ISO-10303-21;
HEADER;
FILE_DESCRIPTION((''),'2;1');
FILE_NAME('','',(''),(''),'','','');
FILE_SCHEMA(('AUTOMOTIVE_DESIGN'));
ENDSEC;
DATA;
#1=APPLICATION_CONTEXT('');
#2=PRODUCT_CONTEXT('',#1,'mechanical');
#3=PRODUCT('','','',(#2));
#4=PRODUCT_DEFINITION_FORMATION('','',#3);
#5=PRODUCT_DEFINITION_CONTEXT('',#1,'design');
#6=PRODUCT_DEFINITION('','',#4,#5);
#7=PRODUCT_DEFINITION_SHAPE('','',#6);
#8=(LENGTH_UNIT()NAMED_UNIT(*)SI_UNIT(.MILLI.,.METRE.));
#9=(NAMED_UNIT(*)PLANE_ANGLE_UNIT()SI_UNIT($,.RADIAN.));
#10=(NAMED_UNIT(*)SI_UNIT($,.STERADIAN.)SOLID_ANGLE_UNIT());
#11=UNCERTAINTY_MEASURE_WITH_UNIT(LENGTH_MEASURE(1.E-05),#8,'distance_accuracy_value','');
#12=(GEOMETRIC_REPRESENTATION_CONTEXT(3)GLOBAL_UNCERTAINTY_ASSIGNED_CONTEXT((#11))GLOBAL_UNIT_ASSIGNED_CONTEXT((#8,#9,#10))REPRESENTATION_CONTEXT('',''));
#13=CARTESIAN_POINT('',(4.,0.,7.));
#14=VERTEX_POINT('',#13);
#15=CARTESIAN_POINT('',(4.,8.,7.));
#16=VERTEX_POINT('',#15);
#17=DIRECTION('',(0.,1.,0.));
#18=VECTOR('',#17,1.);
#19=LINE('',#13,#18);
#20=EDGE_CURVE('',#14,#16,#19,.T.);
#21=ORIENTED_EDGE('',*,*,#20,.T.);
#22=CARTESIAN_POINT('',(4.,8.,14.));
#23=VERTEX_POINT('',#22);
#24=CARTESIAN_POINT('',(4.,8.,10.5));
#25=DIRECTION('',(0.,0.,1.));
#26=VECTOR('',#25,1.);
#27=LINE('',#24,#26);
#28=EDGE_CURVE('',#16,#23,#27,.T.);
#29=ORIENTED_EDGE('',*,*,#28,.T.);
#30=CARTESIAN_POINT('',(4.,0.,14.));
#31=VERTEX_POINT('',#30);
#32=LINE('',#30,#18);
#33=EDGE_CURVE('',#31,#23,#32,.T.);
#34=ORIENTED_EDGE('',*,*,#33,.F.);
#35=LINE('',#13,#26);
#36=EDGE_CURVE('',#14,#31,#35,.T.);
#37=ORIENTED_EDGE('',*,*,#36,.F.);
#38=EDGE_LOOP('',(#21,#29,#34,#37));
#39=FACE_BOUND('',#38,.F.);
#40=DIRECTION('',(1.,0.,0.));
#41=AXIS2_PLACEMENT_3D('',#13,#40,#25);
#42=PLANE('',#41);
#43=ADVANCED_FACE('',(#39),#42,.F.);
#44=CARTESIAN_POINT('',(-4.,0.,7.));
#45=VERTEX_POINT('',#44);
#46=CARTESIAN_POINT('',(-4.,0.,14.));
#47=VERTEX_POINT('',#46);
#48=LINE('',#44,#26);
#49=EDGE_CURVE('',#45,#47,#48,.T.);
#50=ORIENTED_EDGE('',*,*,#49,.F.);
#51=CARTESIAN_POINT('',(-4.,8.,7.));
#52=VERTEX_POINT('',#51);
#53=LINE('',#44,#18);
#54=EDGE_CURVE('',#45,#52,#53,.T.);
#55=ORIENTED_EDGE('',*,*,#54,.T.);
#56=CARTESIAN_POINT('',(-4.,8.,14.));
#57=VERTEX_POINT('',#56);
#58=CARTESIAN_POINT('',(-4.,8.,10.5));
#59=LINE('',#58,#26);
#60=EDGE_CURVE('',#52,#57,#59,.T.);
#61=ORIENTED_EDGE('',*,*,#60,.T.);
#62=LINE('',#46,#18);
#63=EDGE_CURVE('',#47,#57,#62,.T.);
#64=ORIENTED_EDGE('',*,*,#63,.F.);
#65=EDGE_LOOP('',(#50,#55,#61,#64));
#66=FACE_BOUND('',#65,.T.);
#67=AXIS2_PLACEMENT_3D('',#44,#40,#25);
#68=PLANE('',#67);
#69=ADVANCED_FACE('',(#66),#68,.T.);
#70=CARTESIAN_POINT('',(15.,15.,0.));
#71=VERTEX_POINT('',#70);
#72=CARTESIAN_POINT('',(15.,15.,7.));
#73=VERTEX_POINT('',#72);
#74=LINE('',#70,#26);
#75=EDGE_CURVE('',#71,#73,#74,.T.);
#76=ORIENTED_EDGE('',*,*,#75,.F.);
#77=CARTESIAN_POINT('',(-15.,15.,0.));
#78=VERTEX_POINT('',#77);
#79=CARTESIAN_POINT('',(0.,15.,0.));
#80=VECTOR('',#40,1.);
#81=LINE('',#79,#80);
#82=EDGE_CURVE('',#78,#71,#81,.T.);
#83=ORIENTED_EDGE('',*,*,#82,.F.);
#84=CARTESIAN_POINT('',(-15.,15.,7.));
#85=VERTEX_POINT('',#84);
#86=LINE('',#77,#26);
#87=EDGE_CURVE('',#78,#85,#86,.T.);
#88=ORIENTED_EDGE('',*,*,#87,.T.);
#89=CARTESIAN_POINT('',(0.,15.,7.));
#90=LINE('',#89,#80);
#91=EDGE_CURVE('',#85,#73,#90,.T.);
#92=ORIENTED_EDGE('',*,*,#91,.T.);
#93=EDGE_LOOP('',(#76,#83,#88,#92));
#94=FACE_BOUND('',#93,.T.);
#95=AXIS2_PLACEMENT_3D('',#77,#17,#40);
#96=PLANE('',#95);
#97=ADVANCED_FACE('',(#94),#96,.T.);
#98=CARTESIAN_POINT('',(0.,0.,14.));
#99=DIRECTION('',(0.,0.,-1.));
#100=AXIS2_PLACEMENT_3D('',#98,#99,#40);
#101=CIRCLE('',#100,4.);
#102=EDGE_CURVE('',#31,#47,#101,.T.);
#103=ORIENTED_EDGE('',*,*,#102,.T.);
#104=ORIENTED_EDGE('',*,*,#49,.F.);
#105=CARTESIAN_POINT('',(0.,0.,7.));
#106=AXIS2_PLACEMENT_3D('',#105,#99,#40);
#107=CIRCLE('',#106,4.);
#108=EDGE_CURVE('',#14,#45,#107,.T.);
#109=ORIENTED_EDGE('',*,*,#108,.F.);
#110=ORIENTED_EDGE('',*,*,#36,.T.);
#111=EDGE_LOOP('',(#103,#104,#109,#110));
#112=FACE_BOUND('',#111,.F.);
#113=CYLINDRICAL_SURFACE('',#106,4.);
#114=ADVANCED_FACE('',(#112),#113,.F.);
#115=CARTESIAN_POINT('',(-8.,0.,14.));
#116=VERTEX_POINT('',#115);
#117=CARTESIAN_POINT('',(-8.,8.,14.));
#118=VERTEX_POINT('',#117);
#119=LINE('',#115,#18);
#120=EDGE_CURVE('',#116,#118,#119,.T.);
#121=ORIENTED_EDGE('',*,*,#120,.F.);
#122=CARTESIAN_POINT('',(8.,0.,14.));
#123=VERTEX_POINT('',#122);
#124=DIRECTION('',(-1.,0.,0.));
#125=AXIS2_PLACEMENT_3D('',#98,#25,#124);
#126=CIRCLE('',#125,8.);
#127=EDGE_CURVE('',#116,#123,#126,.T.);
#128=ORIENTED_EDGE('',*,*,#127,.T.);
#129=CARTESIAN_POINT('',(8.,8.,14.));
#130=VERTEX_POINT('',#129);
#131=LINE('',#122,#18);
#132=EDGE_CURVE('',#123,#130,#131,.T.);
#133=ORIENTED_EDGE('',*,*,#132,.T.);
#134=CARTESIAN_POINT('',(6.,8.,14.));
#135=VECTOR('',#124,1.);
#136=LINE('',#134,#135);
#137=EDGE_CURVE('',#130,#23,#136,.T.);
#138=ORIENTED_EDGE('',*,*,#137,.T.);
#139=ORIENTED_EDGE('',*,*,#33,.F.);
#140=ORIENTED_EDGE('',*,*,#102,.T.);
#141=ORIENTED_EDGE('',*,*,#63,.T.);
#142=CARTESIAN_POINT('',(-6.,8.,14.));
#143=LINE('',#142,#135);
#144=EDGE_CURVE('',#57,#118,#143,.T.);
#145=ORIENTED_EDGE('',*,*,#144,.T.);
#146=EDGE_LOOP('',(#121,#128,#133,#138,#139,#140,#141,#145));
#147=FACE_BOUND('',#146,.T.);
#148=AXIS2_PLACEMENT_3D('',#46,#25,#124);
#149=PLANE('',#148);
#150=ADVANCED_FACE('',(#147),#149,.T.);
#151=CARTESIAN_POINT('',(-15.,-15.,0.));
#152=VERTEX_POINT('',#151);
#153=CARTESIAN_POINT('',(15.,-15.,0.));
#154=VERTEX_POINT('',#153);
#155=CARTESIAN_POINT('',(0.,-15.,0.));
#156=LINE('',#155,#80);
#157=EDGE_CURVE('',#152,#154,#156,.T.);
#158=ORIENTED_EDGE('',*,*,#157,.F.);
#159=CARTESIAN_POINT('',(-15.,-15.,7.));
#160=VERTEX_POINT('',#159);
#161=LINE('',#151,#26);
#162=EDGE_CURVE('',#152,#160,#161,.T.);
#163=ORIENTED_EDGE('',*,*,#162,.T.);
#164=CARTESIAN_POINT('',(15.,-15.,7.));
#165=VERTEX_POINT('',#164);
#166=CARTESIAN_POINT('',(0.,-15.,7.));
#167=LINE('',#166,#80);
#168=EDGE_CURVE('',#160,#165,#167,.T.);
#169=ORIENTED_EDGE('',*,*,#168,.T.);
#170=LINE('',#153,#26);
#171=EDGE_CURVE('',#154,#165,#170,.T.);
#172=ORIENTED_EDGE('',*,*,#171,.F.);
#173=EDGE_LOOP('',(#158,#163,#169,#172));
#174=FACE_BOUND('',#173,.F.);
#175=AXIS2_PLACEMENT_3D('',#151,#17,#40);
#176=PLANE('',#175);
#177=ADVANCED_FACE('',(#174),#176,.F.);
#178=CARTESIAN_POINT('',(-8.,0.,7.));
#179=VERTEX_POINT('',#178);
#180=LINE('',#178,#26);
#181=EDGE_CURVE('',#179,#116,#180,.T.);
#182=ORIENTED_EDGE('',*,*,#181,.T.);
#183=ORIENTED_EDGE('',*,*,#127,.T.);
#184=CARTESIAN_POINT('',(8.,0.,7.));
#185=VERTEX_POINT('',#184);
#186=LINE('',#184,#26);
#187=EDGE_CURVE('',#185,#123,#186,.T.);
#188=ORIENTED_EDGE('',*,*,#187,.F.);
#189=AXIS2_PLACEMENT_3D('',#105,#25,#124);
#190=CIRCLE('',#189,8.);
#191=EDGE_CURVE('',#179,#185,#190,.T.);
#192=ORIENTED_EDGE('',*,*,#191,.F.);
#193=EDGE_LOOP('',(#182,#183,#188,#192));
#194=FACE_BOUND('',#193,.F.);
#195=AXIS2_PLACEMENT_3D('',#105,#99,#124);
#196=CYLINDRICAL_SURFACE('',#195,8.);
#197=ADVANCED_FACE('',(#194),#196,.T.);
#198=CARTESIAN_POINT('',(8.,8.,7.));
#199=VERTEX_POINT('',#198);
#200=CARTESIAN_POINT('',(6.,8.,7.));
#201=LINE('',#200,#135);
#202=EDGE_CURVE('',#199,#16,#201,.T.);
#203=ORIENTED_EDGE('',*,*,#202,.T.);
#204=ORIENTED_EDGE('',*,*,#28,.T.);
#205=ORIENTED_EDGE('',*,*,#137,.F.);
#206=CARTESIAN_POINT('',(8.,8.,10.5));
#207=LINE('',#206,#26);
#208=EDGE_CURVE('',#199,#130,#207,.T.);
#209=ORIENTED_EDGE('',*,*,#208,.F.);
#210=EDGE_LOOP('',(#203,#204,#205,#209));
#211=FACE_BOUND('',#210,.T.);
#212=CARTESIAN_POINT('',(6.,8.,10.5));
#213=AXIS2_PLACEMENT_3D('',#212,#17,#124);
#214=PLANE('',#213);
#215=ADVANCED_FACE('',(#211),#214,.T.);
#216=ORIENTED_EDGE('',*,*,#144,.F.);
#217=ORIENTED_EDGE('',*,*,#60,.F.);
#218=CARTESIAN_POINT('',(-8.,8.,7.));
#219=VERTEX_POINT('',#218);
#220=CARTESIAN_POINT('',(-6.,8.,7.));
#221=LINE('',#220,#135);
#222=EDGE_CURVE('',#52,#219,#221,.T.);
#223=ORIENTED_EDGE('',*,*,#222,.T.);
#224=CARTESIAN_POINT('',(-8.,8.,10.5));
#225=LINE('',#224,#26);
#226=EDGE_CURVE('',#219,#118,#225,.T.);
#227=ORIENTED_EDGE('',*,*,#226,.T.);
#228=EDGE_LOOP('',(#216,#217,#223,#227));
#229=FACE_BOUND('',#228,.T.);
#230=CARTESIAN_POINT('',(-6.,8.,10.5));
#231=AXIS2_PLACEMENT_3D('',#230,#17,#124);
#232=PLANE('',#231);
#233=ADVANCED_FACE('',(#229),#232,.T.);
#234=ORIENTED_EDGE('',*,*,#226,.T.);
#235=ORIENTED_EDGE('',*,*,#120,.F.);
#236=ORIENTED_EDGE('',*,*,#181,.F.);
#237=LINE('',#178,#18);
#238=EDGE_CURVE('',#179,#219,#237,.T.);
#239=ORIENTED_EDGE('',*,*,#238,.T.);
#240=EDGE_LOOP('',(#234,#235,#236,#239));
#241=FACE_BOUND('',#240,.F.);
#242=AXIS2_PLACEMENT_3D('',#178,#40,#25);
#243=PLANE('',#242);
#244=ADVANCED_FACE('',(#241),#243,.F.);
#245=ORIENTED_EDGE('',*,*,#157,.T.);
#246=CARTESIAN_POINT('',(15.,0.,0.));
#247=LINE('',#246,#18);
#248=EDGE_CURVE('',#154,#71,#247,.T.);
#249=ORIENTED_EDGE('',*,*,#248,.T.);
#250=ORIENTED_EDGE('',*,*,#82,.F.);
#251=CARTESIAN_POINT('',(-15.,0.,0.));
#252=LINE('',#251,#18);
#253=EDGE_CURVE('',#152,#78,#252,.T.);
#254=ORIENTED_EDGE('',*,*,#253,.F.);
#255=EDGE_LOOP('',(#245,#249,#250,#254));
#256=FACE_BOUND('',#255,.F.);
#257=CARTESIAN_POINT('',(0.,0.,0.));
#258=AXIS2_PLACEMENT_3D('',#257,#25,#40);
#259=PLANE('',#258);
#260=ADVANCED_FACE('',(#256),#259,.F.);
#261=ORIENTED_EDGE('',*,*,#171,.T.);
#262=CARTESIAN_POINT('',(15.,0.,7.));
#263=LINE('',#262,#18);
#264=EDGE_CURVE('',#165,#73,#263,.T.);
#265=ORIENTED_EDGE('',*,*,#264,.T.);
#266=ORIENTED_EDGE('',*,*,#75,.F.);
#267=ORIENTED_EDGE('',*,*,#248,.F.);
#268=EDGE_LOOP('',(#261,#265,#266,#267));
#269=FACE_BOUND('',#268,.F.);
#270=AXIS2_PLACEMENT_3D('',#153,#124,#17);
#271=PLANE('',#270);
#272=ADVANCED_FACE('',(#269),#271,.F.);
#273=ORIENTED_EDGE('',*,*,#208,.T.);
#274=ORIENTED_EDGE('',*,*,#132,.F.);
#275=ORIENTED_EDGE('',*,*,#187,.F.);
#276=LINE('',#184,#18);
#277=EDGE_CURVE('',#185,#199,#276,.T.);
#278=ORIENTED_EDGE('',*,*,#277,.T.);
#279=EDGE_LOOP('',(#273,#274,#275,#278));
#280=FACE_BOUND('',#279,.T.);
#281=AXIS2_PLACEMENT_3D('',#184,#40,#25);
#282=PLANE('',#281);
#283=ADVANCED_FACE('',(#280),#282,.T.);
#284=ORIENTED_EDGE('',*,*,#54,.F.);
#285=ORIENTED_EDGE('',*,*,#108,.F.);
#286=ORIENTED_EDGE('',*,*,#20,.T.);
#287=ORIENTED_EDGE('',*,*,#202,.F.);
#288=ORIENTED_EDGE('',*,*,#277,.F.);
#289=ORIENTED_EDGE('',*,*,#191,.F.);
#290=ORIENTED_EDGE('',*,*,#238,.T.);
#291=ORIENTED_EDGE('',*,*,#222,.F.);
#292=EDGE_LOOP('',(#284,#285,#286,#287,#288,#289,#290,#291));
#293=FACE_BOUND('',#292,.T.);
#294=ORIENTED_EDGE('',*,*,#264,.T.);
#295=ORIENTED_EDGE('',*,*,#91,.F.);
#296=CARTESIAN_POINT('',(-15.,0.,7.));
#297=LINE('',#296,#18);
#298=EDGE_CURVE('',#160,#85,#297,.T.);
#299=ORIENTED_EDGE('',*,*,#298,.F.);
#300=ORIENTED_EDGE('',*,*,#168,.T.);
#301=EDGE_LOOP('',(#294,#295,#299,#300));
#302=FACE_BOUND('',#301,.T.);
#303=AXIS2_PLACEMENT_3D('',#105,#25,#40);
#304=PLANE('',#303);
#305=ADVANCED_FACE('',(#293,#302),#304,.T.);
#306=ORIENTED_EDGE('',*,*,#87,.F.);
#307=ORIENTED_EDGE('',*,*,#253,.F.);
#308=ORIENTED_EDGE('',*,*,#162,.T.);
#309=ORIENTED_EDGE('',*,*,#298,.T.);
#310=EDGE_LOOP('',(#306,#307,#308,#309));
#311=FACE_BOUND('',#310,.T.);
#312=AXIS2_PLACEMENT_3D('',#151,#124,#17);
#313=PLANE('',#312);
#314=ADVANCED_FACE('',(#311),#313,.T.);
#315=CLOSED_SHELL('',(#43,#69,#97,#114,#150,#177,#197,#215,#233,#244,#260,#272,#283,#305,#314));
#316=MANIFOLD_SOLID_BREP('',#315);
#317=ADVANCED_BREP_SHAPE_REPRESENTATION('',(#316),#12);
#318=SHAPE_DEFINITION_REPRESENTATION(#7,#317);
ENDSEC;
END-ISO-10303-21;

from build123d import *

# Parameters (mm, degrees)
F0_W      = 30
F0_H      = 30
F1_DEPTH  = 7
F3_DEPTH  = 7
F3_FACE_W = 4
F3_FACE_H = 7
F4_DEPTH  = 8


with BuildPart() as f1:
    # F0 (on Top) → F1 (new body)
    with BuildSketch(Plane.XY):
        Rectangle(F0_W, F0_H)
    extrude(amount=F1_DEPTH)

    # F2 (on face) → F3 (join)
    with BuildSketch(Plane.XY.offset(7)):
        with BuildLine():
            ThreePointArc((4, 0), (0, -4), (-4, 0))
            Line((-4, 0), (-8, 0))
            ThreePointArc((-8, 0), (0, -8), (8, 0))
            Line((8, 0), (4, 0))
        make_face()
    extrude(amount=F3_DEPTH)

    # F3_face (on face) → F4 (join)
    with BuildSketch(Plane(origin=(-6, 0, 10.5), x_dir=(-1, 0, 0), z_dir=(0, 1, 0))):
        Rectangle(F3_FACE_W, F3_FACE_H)
        with Locations((-12, 0)):
            Rectangle(F3_FACE_W, F3_FACE_H)
    extrude(amount=F4_DEPTH)


solid = f1.part
